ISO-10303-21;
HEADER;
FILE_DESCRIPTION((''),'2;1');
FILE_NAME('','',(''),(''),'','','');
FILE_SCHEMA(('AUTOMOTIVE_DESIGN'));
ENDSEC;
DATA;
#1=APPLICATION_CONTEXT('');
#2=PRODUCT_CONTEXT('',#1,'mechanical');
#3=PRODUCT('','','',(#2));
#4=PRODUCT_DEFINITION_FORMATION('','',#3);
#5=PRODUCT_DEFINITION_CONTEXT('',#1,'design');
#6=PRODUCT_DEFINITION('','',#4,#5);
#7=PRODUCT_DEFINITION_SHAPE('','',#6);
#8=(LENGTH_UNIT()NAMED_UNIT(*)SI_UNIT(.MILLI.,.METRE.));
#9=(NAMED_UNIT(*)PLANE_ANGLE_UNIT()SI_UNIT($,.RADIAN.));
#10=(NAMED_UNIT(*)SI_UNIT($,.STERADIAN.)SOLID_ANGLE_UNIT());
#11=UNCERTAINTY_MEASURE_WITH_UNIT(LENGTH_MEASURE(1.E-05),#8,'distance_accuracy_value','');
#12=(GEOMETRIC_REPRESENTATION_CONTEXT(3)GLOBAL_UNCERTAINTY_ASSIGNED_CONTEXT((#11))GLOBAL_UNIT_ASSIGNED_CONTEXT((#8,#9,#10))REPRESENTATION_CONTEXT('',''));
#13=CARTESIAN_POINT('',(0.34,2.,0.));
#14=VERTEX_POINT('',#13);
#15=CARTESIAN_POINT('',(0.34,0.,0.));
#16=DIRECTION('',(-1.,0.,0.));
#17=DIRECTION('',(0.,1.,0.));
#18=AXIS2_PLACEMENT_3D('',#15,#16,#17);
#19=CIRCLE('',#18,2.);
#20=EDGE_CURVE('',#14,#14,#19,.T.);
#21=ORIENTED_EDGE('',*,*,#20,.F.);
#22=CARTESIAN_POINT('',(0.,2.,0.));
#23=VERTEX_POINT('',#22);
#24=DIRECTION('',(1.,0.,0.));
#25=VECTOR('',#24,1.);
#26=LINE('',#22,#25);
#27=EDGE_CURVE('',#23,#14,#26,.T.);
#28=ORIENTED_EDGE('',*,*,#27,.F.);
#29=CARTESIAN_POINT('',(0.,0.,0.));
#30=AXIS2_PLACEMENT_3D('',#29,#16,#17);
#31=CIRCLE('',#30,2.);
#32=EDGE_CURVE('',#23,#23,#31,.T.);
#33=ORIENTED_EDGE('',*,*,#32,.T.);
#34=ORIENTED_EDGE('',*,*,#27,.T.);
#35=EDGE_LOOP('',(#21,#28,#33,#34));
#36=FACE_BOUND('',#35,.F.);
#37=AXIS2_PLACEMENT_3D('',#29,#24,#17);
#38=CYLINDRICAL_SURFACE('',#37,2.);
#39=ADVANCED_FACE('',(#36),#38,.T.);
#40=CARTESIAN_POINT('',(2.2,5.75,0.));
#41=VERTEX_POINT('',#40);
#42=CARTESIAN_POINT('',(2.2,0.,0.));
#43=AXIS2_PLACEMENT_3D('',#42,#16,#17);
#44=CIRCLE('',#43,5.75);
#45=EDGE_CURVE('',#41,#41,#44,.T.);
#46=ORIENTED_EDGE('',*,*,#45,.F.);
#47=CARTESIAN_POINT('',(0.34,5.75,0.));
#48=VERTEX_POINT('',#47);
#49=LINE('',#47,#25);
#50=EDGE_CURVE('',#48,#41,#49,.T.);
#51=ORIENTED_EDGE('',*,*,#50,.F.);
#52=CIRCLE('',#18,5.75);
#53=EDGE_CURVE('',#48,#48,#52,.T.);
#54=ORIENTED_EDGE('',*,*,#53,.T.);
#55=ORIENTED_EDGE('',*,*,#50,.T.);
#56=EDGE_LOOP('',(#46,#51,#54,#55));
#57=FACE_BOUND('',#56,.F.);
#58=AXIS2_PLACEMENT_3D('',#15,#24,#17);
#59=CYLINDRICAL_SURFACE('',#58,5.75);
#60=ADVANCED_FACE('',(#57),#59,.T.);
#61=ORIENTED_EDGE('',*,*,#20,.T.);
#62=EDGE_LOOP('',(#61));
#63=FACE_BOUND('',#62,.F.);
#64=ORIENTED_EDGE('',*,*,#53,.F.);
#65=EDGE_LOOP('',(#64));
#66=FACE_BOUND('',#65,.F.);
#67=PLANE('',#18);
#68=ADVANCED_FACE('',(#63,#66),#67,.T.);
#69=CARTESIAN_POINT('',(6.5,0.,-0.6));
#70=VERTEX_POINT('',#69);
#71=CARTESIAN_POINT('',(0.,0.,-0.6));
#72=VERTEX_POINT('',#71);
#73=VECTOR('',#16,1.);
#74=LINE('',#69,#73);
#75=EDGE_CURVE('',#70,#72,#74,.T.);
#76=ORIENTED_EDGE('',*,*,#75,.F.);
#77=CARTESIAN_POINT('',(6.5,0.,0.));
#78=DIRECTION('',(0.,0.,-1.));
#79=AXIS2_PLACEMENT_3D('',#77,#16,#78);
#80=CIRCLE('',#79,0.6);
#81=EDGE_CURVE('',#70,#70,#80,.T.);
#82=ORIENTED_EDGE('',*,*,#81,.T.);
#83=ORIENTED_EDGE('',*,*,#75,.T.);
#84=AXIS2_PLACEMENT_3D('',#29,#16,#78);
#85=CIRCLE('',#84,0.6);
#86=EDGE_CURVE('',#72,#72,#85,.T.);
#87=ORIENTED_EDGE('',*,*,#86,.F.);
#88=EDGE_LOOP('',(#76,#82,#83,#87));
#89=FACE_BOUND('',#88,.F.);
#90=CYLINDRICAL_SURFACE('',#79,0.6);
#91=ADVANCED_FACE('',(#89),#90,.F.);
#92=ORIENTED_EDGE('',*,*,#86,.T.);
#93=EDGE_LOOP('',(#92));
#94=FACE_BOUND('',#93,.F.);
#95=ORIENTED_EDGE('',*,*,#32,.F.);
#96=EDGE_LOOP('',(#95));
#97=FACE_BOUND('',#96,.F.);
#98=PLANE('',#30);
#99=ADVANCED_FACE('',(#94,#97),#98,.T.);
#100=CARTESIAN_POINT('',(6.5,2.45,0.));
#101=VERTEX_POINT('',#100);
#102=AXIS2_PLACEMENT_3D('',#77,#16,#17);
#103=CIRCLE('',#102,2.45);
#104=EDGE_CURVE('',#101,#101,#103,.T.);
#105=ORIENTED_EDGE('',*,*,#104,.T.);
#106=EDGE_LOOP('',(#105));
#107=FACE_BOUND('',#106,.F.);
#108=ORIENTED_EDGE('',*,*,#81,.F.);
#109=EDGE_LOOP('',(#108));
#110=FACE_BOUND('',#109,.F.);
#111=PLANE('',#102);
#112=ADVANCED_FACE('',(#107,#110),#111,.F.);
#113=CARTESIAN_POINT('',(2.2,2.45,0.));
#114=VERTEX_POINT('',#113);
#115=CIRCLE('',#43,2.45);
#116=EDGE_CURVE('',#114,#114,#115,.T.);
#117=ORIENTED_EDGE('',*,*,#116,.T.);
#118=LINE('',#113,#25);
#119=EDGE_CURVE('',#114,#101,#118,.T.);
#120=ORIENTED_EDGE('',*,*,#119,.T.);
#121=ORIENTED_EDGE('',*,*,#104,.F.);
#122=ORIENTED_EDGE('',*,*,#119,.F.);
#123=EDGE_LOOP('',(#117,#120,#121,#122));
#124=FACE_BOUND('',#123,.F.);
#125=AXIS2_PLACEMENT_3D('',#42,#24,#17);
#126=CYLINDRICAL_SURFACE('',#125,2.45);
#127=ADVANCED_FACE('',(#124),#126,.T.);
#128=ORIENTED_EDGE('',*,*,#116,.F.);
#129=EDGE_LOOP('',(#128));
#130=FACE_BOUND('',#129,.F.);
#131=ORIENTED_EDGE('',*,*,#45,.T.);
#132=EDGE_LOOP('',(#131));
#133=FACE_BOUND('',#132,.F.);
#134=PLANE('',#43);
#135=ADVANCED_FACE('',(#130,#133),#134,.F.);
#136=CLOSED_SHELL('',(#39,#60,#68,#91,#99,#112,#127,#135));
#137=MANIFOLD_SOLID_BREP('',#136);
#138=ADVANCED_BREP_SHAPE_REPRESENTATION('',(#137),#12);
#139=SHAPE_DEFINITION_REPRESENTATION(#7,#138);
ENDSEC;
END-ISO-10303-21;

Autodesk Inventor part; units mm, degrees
ref_plane "YZ Plane" through (0, 0, 0) normal (1, 0, 0) x (0, 1, 0)
ref_plane "XZ Plane" through (0, 0, 0) normal (0, 1, 0) x (-1, 0, 0)
ref_plane "XY Plane" through (0, 0, 0) normal (0, 0, 1) x (1, 0, 0)
sketch "Sketch1" plane through (0, 0, 0) normal (0, 0, 1) x (1, 0, 0)
  line L0 (0.34, 5.75) -> (2.2, 5.75)
  line L1 (2.2, 5.75) -> (2.2, 2.45)
  line L2 (2.2, 2.45) -> (6.5, 2.45)
  line L3 (6.5, 2.45) -> (6.5, 0)
  line L4 (6.5, 0) -> (0, 0)
  line L5 (0, 0) -> (0, 2)
  line L6 (0, 2) -> (0.34, 2)
  line L7 (0.34, 2) -> (0.34, 5.75)
  dimension "d2" = 4.9
  dimension "d3" = 11.5
  dimension "d4" = 1.86
  dimension "d5" = 4
  dimension "d6" = 4.3
  dimension "d7" = 6.5
revolve "Revolution1" add sketch "Sketch1" angle 360 about axis through (6.5, 0, 0) along (-1, 0, 0)
hole "Hole1" at (6.5, 0, 0) direction (-1, 0, 0) diameter 1.2 end through all
properties part number "Hitec HS-225MG gear 4"
